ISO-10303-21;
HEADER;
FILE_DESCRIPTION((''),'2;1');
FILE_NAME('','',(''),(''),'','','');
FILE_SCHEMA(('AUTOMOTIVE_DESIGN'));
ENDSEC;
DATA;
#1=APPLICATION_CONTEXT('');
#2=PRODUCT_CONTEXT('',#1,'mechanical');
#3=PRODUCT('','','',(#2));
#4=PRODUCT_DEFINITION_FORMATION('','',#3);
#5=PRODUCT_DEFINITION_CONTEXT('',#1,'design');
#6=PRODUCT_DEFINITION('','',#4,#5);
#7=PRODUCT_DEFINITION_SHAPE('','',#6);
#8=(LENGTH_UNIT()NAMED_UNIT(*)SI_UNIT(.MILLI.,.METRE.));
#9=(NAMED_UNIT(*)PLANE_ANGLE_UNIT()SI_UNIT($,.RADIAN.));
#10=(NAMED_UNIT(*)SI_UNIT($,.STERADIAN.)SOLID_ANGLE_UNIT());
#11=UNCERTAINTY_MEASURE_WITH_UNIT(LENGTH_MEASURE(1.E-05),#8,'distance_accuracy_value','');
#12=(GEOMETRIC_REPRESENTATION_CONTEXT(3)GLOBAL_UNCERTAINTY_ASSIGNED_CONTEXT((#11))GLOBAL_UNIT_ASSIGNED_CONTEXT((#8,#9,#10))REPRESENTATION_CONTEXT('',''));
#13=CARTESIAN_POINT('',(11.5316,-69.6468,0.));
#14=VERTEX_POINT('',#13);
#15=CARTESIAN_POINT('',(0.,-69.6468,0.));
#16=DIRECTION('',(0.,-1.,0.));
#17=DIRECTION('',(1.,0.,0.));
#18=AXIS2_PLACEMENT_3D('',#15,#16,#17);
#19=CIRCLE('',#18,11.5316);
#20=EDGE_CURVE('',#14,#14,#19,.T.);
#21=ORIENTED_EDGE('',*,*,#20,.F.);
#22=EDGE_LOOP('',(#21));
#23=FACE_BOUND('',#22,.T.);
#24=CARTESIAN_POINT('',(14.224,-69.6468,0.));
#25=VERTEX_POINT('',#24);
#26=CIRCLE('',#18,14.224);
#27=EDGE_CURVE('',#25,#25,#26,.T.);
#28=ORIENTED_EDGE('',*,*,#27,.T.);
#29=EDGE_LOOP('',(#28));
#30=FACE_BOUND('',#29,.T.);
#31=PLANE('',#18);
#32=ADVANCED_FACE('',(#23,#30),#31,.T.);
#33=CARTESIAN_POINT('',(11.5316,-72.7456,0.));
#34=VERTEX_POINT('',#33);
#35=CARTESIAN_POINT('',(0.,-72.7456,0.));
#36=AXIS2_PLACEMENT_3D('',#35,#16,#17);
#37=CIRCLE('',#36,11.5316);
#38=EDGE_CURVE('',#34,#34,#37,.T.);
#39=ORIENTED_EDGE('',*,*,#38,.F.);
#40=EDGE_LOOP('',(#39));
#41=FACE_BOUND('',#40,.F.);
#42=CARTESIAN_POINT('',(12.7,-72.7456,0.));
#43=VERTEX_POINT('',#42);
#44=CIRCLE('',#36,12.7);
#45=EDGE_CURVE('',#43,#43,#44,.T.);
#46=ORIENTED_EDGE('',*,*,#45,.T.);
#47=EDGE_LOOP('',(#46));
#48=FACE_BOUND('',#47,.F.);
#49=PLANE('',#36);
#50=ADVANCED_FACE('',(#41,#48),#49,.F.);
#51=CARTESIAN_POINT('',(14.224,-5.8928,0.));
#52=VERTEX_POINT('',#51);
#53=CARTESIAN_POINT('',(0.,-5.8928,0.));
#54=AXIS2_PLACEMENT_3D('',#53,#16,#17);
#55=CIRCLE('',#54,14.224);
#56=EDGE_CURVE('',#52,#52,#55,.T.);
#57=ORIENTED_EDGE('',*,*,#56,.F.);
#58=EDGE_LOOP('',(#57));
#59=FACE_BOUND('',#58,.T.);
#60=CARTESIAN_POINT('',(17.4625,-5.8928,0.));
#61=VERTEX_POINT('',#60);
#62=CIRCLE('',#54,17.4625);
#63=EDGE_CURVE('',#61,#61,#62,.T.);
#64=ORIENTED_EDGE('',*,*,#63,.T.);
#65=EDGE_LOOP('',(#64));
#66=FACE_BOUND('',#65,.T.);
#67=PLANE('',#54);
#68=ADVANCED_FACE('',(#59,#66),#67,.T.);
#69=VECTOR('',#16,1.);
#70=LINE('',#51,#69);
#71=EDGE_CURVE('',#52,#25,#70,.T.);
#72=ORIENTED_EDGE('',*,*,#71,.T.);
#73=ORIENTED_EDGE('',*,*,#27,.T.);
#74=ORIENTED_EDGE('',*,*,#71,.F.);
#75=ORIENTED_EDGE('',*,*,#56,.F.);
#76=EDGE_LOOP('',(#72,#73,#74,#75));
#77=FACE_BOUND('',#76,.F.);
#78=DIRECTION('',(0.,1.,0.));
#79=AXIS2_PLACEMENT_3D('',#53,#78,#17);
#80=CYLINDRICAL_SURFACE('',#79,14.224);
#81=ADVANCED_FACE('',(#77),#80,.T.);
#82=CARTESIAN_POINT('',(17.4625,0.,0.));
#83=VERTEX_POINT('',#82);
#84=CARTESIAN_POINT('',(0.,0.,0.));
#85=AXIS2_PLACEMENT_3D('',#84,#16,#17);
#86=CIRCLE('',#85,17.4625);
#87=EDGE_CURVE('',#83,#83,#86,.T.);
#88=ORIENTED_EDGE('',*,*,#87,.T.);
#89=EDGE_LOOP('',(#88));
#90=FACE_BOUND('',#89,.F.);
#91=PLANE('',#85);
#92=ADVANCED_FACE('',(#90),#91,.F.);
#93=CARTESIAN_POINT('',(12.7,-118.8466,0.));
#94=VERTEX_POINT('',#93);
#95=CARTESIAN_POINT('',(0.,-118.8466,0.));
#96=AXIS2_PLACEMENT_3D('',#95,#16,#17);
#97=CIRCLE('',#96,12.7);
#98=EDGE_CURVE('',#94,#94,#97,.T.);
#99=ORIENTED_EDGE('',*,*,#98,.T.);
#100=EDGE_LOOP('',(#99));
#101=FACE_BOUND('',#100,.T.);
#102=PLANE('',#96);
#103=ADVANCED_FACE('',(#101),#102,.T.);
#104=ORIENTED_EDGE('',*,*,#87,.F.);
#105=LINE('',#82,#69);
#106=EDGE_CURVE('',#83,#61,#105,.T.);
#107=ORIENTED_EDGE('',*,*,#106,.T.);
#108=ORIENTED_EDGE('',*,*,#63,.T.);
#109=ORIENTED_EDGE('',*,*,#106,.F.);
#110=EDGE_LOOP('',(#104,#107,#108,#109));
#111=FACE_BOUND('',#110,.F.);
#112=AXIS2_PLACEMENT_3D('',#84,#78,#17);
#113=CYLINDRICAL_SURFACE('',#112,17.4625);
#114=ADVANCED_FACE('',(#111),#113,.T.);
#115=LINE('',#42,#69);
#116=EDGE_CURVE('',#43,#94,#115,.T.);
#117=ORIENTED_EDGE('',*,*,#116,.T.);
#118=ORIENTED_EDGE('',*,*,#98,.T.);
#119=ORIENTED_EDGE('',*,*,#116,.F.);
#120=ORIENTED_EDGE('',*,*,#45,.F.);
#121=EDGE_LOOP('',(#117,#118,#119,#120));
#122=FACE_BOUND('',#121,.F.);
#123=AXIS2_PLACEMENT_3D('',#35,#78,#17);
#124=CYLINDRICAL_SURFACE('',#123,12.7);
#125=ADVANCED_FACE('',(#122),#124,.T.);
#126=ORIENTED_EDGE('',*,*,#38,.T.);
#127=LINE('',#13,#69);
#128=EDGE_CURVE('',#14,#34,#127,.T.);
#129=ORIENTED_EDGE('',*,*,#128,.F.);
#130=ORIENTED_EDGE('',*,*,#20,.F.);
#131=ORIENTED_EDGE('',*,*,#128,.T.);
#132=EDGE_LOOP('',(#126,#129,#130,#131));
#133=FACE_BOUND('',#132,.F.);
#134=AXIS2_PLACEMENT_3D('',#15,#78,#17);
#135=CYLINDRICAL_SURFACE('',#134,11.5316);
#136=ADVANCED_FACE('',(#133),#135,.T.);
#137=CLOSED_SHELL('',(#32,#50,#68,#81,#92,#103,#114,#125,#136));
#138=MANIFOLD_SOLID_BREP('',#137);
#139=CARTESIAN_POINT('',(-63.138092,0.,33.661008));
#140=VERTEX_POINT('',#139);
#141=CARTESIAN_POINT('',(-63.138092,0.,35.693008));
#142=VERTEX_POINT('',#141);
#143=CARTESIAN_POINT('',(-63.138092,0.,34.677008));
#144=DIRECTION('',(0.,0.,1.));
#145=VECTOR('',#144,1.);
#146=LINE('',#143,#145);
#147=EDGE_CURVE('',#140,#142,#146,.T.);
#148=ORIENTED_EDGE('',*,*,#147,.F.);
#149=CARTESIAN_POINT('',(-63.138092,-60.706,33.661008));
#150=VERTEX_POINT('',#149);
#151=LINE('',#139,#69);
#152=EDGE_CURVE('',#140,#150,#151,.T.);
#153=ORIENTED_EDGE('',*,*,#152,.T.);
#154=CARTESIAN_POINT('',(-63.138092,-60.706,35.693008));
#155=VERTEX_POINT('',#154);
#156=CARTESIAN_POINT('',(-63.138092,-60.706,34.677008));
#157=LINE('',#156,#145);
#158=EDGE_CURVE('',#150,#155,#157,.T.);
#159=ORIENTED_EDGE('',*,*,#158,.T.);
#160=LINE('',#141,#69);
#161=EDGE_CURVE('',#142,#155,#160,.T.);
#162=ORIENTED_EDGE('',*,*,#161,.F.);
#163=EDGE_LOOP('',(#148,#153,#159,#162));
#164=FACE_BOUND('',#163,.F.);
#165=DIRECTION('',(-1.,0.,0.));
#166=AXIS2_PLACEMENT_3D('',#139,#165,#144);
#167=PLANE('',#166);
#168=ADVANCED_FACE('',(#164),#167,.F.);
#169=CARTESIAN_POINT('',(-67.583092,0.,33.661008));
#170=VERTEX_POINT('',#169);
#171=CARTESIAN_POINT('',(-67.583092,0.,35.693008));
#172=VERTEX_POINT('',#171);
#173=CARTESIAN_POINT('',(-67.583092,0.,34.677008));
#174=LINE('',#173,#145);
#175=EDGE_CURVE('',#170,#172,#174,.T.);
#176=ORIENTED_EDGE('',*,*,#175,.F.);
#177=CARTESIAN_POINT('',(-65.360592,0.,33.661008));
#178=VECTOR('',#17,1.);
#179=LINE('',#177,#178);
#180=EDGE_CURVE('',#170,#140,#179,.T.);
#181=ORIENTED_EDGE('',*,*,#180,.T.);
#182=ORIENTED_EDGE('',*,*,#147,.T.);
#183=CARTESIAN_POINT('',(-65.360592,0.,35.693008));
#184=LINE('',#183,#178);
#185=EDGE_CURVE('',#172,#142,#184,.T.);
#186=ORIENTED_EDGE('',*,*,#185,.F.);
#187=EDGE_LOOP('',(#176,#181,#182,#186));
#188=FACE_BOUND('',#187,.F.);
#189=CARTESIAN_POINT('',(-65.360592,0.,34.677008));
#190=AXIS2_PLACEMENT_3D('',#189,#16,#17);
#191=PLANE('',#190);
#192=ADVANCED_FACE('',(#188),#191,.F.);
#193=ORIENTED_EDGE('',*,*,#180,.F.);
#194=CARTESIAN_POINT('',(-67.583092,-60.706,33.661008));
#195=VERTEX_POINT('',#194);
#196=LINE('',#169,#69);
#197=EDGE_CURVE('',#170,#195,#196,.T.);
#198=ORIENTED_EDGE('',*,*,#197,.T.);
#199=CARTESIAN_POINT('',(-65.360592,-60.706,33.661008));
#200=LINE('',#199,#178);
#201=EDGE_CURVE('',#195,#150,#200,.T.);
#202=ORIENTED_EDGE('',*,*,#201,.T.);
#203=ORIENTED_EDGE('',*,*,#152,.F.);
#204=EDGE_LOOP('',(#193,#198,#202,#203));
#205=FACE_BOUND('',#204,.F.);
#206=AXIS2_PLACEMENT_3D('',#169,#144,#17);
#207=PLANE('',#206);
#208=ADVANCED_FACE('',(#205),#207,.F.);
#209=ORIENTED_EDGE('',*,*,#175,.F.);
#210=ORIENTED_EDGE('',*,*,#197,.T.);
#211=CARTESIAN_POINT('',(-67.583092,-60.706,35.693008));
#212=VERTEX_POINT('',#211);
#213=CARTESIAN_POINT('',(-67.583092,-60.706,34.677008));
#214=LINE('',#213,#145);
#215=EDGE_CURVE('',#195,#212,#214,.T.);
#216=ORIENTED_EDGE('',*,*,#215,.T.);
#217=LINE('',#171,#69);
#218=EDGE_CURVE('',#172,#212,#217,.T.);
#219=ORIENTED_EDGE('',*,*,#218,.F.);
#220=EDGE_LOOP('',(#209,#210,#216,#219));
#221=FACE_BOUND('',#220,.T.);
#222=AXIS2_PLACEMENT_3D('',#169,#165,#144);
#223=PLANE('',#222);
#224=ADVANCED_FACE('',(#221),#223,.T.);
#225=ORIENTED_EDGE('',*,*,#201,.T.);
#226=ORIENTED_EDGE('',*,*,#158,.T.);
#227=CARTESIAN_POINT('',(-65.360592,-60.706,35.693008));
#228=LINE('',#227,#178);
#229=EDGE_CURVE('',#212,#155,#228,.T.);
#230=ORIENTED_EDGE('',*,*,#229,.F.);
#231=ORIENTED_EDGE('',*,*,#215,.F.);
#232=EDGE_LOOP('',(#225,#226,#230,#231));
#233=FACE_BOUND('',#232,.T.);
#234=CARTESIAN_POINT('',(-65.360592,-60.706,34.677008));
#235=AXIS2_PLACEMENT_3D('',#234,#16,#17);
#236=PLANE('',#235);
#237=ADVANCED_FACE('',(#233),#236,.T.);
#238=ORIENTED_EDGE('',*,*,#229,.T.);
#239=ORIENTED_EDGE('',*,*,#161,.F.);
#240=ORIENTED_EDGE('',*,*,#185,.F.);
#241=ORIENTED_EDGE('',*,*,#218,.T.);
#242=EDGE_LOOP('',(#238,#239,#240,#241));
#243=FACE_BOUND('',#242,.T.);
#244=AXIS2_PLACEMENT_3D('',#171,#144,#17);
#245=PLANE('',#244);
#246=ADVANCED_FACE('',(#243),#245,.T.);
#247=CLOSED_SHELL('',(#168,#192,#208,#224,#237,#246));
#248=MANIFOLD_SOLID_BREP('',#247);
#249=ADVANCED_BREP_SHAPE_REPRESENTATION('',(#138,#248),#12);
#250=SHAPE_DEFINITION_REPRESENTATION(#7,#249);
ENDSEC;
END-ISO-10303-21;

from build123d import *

# Parameters (mm, degrees)
F0_R     = 17.4625
F1_DEPTH = 5.8928
F2_R     = 14.224
F3_DEPTH = 63.754
F4_R     = 11.5316
F5_DEPTH = 3.0988
F6_R     = 12.7
F7_DEPTH = 46.101
F8_W     = 4.445
F8_H     = 2.032
F9_DEPTH = 60.706


with BuildPart() as f1:
    # F0 (on Front) → F1 (new body)
    with BuildSketch(Plane.XZ):
        Circle(F0_R)
    extrude(amount=F1_DEPTH)

    # F2 (on face) → F3 (join)
    with BuildSketch(Plane.XZ.offset(5.8928)):
        Circle(F2_R)
    extrude(amount=F3_DEPTH)

    # F4 (on face) → F5 (join)
    with BuildSketch(Plane.XZ.offset(69.6468)):
        Circle(F4_R)
    extrude(amount=F5_DEPTH)

    # F6 (on face) → F7 (join)
    with BuildSketch(Plane.XZ.offset(72.7456)):
        Circle(F6_R)
    extrude(amount=F7_DEPTH)


with BuildPart() as f9:
    # F8 (on Front) → F9 (new body)
    with BuildSketch(Plane.XZ):
        with Locations((-65.360592, 34.677008)):
            Rectangle(F8_W, F8_H)
    extrude(amount=F9_DEPTH)


solid = Compound([f1.part, f9.part])
